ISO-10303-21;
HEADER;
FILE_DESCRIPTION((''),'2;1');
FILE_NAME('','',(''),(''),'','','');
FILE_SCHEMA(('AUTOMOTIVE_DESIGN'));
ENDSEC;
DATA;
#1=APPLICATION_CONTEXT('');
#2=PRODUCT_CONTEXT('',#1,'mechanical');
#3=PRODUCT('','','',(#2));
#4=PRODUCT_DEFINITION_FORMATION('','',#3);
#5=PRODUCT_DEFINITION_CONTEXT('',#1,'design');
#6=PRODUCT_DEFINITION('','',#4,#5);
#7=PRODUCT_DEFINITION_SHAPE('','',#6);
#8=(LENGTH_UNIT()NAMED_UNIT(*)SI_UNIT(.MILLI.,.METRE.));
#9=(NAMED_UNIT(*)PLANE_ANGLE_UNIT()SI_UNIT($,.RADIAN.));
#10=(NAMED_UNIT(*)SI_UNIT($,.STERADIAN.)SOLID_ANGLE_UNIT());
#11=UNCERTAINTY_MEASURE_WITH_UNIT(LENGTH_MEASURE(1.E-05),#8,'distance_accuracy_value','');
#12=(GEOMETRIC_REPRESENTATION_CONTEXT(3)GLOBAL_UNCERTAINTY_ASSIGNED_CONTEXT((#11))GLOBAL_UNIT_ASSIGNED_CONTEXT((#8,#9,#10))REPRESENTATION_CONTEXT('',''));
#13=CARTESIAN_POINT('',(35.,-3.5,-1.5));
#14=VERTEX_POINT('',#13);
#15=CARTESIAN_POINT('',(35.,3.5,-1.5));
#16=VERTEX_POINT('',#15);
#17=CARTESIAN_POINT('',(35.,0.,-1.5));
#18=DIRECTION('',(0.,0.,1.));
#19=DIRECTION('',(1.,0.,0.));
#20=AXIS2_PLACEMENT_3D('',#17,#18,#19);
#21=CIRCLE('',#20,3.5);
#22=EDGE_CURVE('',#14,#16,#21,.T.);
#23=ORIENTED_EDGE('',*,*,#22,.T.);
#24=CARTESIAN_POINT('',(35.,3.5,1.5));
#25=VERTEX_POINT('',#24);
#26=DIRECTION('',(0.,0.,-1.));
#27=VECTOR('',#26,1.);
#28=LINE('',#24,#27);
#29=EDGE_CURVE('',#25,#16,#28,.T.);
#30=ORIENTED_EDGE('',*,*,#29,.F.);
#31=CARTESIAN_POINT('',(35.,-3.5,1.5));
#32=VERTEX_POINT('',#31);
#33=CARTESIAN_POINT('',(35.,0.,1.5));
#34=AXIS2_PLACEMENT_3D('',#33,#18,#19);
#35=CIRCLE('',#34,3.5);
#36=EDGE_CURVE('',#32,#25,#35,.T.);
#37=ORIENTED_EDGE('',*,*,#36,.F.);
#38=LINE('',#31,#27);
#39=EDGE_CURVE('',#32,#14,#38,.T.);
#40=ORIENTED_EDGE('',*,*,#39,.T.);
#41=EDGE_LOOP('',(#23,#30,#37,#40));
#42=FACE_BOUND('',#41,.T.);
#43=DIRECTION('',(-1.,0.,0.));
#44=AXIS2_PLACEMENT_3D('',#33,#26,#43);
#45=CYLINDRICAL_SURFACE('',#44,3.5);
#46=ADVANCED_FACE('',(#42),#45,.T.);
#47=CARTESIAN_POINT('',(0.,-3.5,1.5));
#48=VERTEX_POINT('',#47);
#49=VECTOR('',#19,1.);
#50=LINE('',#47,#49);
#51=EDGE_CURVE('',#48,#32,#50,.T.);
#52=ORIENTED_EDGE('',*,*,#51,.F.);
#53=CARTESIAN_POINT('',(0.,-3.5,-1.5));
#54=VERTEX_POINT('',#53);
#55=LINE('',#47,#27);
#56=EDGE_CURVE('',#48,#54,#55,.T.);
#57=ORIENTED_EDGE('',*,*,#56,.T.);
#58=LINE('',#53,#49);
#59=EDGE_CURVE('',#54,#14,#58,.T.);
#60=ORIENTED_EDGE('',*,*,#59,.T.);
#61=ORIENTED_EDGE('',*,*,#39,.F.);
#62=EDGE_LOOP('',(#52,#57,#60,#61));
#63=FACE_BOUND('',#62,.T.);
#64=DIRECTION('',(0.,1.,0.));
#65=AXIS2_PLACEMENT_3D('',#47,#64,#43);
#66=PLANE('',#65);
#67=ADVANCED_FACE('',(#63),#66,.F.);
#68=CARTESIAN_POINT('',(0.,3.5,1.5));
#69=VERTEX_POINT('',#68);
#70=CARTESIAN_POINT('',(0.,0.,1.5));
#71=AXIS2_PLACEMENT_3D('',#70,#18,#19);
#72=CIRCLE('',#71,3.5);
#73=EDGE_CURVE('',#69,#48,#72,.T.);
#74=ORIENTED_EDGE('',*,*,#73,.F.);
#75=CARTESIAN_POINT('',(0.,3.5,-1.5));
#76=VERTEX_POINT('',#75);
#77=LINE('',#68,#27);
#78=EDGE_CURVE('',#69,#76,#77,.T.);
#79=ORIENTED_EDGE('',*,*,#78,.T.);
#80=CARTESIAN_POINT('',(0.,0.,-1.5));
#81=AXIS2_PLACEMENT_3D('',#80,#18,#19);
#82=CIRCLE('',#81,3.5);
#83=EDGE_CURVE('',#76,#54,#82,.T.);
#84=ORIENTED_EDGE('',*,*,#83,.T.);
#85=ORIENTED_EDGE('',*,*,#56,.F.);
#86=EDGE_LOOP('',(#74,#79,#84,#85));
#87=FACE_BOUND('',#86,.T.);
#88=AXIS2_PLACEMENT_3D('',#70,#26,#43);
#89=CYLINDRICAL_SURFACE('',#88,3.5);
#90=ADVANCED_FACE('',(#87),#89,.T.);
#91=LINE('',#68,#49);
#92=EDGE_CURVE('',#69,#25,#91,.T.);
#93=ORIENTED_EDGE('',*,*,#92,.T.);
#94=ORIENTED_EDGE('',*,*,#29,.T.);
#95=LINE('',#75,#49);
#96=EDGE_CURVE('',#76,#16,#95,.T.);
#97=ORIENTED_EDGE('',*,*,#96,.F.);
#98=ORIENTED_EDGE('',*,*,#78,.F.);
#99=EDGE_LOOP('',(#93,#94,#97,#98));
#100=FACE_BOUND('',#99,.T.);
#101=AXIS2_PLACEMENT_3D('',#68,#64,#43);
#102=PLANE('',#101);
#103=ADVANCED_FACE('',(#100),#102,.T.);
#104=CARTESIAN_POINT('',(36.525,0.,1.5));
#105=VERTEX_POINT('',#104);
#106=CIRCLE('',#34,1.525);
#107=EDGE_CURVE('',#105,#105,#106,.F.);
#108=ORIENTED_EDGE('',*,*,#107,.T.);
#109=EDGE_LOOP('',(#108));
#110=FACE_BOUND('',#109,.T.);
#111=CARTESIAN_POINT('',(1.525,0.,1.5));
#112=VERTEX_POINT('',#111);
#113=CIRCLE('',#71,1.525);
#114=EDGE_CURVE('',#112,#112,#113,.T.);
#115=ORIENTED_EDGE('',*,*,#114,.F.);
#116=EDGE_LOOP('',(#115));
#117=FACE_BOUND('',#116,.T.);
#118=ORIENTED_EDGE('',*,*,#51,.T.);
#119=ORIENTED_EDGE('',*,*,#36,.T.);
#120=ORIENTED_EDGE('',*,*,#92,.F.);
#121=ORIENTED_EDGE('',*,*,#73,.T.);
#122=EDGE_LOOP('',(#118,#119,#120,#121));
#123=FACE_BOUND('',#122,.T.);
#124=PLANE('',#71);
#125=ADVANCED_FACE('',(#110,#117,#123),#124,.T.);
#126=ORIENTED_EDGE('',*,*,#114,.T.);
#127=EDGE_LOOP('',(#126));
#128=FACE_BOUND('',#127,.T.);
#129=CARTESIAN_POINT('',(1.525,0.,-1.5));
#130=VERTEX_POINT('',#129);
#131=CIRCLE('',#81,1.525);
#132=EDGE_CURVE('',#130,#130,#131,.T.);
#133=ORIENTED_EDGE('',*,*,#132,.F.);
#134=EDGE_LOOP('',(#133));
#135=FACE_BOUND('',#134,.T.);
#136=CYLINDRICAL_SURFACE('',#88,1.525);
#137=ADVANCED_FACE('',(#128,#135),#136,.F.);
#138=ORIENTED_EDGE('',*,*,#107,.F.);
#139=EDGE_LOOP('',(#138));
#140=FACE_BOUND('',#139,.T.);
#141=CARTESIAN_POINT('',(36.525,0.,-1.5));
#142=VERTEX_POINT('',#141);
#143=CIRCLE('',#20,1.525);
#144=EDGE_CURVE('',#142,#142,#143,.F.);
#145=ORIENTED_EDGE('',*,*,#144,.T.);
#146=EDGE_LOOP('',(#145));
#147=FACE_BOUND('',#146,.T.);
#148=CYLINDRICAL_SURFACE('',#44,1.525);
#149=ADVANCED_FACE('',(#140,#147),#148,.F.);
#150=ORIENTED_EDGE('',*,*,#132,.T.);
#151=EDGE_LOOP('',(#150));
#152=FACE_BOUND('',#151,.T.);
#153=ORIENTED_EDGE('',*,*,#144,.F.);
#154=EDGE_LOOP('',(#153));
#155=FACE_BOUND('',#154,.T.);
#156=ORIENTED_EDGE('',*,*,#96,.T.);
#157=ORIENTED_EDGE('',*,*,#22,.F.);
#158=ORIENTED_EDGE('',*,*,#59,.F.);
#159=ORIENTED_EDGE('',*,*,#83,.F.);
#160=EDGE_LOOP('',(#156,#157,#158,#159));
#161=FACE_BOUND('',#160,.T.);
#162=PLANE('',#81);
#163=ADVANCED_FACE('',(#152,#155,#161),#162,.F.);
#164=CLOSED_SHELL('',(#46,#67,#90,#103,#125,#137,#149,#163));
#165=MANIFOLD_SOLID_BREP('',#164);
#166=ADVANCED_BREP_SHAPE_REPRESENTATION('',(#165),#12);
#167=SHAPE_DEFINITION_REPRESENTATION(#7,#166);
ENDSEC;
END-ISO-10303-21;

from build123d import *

# Parameters (mm, degrees)
SKETCH1_R           = 1.525
BOSS_EXTRUDE1_DEPTH = 1.5


with BuildPart() as part:
    # Sketch1 → Boss-Extrude1 (new, symmetric)
    with BuildSketch(Plane.XY):
        with BuildLine():
            Line((0, 3.5), (35, 3.5))
            ThreePointArc((35, 3.5), (38.5, 0), (35, -3.5))
            Line((35, -3.5), (0, -3.5))
            ThreePointArc((0, -3.5), (-3.5, 0), (0, 3.5))
        make_face()
        Circle(SKETCH1_R, mode=Mode.SUBTRACT)
        with Locations((35, 0)):
            Circle(SKETCH1_R, mode=Mode.SUBTRACT)
    extrude(amount=BOSS_EXTRUDE1_DEPTH, both=True)


solid = part.part
